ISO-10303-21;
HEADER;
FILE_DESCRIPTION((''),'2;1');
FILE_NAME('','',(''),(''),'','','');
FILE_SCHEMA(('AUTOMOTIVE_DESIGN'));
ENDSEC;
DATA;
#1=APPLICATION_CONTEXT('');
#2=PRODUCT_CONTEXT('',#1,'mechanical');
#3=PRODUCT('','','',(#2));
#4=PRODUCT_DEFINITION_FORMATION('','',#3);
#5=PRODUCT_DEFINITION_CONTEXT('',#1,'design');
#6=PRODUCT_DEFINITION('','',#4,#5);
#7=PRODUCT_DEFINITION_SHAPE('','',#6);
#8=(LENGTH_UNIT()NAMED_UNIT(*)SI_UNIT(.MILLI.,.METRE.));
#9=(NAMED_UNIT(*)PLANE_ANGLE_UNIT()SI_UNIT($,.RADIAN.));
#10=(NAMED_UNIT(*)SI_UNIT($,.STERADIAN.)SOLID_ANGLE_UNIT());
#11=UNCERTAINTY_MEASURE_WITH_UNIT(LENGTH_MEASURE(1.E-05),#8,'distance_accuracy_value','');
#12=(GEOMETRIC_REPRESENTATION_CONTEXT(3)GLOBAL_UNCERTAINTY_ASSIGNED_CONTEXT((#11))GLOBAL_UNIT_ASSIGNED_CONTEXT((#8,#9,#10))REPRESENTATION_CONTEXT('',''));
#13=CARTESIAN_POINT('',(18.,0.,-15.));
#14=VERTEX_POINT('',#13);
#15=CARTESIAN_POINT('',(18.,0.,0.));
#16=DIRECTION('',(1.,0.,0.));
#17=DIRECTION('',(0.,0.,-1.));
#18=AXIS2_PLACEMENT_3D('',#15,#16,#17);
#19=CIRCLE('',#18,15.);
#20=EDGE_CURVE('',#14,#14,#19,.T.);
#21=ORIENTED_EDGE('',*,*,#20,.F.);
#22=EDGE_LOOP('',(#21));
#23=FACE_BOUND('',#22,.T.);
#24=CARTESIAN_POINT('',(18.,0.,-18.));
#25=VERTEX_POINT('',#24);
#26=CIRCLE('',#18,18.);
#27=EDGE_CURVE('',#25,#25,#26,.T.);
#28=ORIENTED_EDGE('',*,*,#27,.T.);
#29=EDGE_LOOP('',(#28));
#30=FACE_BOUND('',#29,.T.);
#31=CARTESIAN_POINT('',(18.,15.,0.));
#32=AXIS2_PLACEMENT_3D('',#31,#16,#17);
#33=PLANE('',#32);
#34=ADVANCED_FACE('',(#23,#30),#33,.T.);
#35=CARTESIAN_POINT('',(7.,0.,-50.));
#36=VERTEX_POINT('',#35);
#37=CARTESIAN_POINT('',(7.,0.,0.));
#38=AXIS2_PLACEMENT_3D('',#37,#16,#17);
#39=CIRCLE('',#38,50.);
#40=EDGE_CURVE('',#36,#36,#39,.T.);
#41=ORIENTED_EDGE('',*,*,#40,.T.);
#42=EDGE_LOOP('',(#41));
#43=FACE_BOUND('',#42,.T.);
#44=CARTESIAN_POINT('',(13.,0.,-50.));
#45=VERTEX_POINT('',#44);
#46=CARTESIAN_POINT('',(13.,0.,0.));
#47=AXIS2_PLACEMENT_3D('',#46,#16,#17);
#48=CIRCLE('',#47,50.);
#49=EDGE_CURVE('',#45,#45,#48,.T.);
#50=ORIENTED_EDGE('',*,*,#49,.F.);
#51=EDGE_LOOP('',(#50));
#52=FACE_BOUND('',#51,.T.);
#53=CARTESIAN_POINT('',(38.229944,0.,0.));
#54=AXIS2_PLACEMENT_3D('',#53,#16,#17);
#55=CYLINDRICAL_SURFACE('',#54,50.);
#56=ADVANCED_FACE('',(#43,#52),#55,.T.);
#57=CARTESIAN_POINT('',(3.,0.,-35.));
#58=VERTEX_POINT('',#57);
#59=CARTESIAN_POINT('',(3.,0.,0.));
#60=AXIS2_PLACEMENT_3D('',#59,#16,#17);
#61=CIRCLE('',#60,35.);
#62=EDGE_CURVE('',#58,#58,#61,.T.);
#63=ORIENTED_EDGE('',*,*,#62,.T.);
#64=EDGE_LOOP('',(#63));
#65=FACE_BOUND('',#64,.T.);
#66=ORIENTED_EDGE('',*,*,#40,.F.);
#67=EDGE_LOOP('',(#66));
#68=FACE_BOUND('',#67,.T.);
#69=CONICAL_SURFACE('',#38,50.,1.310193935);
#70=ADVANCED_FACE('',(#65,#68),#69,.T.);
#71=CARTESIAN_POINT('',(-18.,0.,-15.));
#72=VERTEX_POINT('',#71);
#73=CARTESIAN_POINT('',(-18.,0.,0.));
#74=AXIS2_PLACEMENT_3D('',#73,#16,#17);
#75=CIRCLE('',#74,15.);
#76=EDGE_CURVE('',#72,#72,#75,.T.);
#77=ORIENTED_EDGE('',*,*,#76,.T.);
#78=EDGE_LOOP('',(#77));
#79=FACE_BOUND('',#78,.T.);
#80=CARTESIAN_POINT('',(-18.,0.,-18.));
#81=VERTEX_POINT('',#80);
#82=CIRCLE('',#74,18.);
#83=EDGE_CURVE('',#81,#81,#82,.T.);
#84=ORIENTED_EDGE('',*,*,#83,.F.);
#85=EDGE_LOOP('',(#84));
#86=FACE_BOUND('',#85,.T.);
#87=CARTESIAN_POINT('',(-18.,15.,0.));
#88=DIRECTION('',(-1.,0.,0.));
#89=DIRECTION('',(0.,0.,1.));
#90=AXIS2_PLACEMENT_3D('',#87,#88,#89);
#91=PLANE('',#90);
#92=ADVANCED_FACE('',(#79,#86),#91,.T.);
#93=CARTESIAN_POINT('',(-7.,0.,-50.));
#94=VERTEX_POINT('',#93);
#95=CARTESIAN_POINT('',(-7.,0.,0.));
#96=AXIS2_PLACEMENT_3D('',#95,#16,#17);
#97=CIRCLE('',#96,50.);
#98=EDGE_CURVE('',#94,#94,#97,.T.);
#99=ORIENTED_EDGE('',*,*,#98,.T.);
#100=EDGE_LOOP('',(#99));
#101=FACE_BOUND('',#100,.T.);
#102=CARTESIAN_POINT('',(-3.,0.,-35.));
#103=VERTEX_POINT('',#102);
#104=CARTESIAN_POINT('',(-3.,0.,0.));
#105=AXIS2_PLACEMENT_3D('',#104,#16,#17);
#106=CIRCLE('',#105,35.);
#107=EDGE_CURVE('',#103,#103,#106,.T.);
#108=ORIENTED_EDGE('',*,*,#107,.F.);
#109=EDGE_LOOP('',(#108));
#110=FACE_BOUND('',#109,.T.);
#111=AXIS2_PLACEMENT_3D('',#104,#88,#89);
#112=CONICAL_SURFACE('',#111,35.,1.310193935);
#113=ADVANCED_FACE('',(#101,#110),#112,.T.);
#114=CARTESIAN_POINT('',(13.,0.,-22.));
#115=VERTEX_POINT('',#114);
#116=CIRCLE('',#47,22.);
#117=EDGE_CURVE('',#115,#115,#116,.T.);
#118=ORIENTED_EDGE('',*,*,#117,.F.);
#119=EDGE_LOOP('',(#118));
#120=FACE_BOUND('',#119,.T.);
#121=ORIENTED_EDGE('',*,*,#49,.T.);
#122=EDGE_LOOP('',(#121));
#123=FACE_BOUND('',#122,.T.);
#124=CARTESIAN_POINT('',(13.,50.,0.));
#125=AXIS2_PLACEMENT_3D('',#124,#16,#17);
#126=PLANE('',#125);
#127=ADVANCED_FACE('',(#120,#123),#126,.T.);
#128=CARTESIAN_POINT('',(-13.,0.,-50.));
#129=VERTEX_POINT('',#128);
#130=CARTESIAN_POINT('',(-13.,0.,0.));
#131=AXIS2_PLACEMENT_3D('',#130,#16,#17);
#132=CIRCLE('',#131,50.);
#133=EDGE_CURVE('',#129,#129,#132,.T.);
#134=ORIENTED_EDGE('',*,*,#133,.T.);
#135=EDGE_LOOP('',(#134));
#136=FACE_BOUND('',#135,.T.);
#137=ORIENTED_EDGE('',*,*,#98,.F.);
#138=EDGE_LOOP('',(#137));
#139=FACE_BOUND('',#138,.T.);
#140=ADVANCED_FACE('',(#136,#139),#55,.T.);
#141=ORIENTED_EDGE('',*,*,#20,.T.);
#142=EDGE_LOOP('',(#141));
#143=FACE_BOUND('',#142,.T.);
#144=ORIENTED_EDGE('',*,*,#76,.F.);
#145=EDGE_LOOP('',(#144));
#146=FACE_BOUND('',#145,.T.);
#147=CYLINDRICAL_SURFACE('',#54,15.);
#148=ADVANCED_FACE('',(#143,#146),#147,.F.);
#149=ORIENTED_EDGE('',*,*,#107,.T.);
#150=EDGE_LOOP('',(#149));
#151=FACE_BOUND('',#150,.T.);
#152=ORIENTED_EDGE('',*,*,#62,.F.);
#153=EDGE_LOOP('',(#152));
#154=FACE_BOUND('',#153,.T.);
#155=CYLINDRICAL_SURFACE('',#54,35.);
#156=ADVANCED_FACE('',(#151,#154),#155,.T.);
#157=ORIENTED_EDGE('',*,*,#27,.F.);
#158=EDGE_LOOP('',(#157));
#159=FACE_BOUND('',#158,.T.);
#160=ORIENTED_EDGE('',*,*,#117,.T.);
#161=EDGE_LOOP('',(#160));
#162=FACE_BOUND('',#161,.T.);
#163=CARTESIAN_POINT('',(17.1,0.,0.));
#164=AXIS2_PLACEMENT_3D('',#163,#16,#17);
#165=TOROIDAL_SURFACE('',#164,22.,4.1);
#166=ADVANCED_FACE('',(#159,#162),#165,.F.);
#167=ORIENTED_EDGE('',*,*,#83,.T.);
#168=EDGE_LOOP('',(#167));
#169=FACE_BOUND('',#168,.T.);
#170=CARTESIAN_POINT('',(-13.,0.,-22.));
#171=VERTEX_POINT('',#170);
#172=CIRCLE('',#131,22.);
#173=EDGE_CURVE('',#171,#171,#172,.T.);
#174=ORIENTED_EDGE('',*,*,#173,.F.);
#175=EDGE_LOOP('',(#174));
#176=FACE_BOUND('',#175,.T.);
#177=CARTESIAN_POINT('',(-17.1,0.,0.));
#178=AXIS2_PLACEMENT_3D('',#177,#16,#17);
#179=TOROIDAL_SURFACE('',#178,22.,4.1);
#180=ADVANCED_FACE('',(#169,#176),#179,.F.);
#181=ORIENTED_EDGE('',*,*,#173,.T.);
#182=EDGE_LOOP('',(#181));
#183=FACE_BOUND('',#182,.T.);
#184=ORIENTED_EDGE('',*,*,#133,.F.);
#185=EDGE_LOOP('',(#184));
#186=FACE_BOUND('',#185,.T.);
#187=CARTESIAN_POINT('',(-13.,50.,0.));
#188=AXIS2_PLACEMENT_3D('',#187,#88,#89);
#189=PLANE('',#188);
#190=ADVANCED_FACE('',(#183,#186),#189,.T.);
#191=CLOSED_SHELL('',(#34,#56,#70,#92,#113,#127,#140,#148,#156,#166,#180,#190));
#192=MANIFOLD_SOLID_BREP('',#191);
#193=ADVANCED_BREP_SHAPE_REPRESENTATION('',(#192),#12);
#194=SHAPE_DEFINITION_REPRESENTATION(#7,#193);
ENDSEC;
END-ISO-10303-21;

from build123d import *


with BuildPart() as part:
    # Sketch1 → Revolve1 (revolve)
    with BuildSketch(Plane.XY, mode=Mode.PRIVATE) as revolve1_sk:
        with BuildLine():
            Line((18, 15), (-18, 15))
            Line((-18, 15), (-18, 18))
            ThreePointArc((-18, 18), (-14.538750305, 18.798437881), (-13, 22))
            Line((-13, 22), (-13, 50))
            Line((-13, 50), (-7, 50))
            Line((-7, 50), (-3, 35))
            Line((-3, 35), (3, 35))
            Line((3, 35), (7, 50))
            Line((7, 50), (13, 50))
            Line((13, 50), (13, 22))
            ThreePointArc((13, 22), (14.538750305, 18.798437881), (18, 18))
            Line((18, 18), (18, 15))
        make_face()
    revolve(revolve1_sk.sketch.rotate(Axis((38.229944377, 0, 0), (-1, 0, 0)), 90), axis=Axis((38.229944377, 0, 0), (-1, 0, 0)))


solid = part.part
